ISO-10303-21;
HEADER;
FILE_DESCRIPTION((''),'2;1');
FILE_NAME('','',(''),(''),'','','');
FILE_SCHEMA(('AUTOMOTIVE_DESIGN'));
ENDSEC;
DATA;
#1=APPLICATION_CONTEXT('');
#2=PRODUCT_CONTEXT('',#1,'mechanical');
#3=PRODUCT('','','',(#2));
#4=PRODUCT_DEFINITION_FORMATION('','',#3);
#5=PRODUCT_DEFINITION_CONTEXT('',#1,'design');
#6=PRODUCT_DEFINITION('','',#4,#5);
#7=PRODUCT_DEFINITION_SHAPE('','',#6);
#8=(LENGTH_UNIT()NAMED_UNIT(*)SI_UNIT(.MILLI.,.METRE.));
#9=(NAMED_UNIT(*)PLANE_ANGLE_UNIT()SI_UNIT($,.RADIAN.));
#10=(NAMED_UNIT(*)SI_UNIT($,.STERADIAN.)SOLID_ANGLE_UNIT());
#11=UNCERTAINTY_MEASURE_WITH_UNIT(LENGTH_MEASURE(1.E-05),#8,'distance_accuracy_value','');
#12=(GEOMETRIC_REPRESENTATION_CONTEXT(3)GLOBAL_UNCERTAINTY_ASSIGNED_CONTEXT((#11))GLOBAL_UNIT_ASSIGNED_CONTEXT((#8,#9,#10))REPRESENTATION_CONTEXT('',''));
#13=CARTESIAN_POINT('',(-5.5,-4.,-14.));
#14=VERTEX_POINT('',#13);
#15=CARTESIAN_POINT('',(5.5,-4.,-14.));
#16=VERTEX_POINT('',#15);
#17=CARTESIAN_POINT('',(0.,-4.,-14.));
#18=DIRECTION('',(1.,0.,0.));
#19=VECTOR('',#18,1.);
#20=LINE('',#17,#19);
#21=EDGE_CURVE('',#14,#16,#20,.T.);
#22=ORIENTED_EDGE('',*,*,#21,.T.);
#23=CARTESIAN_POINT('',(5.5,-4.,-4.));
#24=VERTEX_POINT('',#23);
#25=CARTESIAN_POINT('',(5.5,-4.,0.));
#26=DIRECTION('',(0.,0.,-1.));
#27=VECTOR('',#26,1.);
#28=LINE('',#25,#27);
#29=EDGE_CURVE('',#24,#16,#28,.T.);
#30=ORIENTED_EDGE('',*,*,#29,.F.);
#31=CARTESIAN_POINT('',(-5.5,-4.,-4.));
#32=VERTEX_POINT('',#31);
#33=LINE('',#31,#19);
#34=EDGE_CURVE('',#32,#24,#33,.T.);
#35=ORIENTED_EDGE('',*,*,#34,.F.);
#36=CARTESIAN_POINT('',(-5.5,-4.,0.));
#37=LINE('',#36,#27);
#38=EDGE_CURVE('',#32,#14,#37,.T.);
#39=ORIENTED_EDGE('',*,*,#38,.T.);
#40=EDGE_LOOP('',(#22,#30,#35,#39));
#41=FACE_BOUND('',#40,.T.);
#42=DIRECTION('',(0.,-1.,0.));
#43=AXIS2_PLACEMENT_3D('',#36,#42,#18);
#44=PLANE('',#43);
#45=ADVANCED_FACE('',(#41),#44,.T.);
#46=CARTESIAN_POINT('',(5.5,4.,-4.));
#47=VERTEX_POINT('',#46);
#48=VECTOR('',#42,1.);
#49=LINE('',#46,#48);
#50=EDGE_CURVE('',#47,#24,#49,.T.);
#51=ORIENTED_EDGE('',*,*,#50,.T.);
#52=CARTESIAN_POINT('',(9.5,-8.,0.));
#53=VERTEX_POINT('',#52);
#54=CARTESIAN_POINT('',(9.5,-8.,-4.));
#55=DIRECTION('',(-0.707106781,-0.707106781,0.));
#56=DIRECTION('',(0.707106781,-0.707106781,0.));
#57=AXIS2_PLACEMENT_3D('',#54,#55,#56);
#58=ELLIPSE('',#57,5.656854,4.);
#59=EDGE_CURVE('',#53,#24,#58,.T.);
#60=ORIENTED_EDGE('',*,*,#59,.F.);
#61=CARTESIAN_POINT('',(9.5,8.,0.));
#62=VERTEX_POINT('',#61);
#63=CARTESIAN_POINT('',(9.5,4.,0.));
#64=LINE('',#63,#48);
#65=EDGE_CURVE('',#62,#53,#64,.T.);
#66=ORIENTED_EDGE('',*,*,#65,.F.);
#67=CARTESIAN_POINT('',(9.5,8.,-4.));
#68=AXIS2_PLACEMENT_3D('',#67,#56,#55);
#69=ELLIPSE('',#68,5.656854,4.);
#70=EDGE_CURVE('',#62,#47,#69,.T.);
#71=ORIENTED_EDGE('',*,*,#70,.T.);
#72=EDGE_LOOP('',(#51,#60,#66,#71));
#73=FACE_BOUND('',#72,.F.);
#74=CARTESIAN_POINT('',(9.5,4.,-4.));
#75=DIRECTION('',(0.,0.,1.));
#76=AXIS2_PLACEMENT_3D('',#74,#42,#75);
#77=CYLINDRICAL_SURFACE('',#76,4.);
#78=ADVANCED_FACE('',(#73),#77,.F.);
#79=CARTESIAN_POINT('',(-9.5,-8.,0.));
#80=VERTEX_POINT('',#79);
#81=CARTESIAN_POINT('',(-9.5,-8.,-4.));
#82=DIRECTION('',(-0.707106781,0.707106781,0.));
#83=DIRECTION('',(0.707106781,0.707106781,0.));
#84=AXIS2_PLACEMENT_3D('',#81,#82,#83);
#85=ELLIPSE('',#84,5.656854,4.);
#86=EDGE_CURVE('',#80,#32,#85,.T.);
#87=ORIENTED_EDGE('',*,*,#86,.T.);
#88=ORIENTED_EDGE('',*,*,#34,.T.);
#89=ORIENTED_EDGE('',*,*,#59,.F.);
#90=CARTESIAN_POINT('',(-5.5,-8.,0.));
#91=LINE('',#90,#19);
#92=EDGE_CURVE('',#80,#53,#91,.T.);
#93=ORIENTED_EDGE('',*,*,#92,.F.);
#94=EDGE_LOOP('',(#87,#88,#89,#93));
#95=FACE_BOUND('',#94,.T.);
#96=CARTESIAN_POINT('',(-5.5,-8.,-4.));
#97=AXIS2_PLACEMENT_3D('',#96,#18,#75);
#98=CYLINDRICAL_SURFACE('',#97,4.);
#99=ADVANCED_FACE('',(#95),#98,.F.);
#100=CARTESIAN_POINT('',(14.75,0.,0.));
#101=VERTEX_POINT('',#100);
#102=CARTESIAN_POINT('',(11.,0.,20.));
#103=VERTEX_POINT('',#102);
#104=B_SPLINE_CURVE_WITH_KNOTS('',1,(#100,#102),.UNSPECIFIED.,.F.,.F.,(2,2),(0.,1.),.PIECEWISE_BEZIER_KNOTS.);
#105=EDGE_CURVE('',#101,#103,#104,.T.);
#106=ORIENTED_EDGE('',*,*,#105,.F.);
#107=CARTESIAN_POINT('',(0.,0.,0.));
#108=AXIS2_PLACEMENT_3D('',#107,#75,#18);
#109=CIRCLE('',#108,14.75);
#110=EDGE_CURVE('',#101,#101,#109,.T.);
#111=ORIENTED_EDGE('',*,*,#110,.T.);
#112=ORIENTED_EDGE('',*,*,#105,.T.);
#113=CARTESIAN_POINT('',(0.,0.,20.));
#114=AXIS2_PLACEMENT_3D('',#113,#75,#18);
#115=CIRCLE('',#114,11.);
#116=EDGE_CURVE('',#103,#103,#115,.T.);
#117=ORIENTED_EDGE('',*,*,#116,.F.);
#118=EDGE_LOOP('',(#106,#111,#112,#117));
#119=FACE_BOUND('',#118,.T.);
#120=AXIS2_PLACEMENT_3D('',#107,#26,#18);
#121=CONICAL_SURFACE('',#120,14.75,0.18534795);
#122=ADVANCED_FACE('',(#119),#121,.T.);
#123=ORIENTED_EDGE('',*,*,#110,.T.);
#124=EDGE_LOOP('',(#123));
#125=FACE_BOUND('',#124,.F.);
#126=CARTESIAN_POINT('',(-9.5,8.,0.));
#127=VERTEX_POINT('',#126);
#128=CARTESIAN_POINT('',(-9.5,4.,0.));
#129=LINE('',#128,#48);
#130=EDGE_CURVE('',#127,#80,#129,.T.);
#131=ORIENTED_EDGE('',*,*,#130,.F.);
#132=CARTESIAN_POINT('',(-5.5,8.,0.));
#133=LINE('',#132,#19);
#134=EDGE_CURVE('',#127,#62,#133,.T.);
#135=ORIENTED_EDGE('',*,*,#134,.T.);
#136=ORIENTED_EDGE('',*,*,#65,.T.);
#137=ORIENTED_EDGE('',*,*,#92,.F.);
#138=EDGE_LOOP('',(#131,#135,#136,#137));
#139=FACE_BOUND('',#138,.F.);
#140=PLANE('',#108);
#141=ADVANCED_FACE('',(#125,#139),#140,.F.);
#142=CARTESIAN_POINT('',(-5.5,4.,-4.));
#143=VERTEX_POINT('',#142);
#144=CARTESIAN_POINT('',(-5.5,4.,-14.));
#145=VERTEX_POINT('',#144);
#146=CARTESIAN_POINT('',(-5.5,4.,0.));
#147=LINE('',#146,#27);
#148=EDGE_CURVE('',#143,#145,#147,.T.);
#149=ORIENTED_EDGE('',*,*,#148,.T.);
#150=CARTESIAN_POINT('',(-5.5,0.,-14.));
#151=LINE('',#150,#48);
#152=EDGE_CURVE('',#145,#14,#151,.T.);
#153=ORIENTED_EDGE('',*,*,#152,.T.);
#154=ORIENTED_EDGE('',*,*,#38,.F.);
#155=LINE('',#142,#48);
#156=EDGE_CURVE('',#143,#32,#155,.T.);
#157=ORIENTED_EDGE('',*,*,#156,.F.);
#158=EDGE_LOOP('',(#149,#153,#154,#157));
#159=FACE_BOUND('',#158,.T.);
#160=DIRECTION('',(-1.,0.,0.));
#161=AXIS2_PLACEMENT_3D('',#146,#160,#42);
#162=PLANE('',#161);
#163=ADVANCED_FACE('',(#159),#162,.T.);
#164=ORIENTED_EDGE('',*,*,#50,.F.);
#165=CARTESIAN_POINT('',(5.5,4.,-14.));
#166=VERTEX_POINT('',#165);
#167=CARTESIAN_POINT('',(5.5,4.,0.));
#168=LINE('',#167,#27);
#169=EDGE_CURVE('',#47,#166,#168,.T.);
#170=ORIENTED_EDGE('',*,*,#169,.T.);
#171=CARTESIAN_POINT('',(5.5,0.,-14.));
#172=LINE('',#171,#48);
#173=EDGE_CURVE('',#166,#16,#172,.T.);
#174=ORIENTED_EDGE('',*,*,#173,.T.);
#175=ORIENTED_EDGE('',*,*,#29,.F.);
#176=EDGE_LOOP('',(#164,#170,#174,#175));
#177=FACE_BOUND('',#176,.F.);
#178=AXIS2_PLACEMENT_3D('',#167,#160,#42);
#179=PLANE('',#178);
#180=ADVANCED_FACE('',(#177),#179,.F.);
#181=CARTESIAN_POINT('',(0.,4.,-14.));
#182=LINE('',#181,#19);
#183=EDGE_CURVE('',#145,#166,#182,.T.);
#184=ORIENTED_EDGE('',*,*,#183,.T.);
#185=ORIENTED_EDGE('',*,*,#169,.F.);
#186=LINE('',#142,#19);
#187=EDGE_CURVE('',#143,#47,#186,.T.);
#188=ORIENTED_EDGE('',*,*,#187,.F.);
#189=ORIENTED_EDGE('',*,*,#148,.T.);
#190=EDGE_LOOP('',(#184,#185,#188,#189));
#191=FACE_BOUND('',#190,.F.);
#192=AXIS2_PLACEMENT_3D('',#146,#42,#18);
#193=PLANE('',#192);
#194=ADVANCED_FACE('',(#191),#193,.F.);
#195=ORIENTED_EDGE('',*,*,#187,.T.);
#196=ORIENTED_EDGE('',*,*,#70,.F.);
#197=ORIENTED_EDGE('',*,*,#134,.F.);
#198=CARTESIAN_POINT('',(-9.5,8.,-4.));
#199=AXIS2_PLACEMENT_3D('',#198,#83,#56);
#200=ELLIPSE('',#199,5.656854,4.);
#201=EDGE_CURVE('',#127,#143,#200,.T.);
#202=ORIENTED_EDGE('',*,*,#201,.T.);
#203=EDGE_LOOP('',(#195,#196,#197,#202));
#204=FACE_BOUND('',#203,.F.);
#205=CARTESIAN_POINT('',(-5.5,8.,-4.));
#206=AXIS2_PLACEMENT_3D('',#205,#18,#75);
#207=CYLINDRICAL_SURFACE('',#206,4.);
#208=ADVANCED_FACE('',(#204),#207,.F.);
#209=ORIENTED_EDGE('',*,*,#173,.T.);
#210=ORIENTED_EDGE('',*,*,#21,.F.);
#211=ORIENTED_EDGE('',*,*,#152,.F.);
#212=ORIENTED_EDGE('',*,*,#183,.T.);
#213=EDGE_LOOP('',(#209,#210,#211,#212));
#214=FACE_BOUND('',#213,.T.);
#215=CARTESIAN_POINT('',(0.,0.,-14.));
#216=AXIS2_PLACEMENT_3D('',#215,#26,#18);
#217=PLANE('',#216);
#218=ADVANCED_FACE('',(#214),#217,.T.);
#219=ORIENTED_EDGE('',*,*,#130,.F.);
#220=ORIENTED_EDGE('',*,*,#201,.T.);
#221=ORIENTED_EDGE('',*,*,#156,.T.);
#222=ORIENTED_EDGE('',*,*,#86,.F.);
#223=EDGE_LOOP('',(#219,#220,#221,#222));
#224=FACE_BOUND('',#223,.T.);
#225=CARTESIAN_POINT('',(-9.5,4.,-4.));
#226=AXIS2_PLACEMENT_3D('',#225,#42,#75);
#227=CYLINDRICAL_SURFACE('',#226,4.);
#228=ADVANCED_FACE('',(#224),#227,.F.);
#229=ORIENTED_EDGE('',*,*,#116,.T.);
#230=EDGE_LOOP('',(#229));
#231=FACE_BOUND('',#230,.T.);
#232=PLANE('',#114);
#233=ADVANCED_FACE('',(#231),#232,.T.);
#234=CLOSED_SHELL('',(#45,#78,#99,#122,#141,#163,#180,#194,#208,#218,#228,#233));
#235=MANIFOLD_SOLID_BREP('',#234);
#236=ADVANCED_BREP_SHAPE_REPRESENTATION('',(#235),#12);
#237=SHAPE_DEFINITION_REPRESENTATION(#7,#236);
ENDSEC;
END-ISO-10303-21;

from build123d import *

# Parameters (mm, degrees)
SKETCH_R    = 14.75
SKETCH001_R = 11
SKETCH002_W = 11
SKETCH002_H = 8
PAD_DEPTH   = 14
FILLET_R    = 4


with BuildPart() as part:
    # Sketch → AdditiveLoft section 0
    with BuildSketch(Plane.XY):
        Circle(SKETCH_R)
    # Sketch001 (on DatumPlane) → AdditiveLoft section 1
    with BuildSketch(Plane.XY.offset(20)):
        Circle(SKETCH001_R)
    loft()

    # Sketch002 (on Face1 of AdditiveLoft) → Pad (new body)
    with BuildSketch(Plane(origin=(0, 0, 0), x_dir=(1, 0, 0), z_dir=(0, 0, -1))):
        Rectangle(SKETCH002_W, SKETCH002_H)
    extrude(amount=PAD_DEPTH)

    # Fillet
    fillet_edges = [part.edges().sort_by_distance(p)[0] for p in [
        (5.5, 0, 0),
        (0, -4, 0),
        (0, 4, 0),
        (-5.5, 0, 0),
    ]]
    fillet(fillet_edges, radius=FILLET_R)


solid = part.part
